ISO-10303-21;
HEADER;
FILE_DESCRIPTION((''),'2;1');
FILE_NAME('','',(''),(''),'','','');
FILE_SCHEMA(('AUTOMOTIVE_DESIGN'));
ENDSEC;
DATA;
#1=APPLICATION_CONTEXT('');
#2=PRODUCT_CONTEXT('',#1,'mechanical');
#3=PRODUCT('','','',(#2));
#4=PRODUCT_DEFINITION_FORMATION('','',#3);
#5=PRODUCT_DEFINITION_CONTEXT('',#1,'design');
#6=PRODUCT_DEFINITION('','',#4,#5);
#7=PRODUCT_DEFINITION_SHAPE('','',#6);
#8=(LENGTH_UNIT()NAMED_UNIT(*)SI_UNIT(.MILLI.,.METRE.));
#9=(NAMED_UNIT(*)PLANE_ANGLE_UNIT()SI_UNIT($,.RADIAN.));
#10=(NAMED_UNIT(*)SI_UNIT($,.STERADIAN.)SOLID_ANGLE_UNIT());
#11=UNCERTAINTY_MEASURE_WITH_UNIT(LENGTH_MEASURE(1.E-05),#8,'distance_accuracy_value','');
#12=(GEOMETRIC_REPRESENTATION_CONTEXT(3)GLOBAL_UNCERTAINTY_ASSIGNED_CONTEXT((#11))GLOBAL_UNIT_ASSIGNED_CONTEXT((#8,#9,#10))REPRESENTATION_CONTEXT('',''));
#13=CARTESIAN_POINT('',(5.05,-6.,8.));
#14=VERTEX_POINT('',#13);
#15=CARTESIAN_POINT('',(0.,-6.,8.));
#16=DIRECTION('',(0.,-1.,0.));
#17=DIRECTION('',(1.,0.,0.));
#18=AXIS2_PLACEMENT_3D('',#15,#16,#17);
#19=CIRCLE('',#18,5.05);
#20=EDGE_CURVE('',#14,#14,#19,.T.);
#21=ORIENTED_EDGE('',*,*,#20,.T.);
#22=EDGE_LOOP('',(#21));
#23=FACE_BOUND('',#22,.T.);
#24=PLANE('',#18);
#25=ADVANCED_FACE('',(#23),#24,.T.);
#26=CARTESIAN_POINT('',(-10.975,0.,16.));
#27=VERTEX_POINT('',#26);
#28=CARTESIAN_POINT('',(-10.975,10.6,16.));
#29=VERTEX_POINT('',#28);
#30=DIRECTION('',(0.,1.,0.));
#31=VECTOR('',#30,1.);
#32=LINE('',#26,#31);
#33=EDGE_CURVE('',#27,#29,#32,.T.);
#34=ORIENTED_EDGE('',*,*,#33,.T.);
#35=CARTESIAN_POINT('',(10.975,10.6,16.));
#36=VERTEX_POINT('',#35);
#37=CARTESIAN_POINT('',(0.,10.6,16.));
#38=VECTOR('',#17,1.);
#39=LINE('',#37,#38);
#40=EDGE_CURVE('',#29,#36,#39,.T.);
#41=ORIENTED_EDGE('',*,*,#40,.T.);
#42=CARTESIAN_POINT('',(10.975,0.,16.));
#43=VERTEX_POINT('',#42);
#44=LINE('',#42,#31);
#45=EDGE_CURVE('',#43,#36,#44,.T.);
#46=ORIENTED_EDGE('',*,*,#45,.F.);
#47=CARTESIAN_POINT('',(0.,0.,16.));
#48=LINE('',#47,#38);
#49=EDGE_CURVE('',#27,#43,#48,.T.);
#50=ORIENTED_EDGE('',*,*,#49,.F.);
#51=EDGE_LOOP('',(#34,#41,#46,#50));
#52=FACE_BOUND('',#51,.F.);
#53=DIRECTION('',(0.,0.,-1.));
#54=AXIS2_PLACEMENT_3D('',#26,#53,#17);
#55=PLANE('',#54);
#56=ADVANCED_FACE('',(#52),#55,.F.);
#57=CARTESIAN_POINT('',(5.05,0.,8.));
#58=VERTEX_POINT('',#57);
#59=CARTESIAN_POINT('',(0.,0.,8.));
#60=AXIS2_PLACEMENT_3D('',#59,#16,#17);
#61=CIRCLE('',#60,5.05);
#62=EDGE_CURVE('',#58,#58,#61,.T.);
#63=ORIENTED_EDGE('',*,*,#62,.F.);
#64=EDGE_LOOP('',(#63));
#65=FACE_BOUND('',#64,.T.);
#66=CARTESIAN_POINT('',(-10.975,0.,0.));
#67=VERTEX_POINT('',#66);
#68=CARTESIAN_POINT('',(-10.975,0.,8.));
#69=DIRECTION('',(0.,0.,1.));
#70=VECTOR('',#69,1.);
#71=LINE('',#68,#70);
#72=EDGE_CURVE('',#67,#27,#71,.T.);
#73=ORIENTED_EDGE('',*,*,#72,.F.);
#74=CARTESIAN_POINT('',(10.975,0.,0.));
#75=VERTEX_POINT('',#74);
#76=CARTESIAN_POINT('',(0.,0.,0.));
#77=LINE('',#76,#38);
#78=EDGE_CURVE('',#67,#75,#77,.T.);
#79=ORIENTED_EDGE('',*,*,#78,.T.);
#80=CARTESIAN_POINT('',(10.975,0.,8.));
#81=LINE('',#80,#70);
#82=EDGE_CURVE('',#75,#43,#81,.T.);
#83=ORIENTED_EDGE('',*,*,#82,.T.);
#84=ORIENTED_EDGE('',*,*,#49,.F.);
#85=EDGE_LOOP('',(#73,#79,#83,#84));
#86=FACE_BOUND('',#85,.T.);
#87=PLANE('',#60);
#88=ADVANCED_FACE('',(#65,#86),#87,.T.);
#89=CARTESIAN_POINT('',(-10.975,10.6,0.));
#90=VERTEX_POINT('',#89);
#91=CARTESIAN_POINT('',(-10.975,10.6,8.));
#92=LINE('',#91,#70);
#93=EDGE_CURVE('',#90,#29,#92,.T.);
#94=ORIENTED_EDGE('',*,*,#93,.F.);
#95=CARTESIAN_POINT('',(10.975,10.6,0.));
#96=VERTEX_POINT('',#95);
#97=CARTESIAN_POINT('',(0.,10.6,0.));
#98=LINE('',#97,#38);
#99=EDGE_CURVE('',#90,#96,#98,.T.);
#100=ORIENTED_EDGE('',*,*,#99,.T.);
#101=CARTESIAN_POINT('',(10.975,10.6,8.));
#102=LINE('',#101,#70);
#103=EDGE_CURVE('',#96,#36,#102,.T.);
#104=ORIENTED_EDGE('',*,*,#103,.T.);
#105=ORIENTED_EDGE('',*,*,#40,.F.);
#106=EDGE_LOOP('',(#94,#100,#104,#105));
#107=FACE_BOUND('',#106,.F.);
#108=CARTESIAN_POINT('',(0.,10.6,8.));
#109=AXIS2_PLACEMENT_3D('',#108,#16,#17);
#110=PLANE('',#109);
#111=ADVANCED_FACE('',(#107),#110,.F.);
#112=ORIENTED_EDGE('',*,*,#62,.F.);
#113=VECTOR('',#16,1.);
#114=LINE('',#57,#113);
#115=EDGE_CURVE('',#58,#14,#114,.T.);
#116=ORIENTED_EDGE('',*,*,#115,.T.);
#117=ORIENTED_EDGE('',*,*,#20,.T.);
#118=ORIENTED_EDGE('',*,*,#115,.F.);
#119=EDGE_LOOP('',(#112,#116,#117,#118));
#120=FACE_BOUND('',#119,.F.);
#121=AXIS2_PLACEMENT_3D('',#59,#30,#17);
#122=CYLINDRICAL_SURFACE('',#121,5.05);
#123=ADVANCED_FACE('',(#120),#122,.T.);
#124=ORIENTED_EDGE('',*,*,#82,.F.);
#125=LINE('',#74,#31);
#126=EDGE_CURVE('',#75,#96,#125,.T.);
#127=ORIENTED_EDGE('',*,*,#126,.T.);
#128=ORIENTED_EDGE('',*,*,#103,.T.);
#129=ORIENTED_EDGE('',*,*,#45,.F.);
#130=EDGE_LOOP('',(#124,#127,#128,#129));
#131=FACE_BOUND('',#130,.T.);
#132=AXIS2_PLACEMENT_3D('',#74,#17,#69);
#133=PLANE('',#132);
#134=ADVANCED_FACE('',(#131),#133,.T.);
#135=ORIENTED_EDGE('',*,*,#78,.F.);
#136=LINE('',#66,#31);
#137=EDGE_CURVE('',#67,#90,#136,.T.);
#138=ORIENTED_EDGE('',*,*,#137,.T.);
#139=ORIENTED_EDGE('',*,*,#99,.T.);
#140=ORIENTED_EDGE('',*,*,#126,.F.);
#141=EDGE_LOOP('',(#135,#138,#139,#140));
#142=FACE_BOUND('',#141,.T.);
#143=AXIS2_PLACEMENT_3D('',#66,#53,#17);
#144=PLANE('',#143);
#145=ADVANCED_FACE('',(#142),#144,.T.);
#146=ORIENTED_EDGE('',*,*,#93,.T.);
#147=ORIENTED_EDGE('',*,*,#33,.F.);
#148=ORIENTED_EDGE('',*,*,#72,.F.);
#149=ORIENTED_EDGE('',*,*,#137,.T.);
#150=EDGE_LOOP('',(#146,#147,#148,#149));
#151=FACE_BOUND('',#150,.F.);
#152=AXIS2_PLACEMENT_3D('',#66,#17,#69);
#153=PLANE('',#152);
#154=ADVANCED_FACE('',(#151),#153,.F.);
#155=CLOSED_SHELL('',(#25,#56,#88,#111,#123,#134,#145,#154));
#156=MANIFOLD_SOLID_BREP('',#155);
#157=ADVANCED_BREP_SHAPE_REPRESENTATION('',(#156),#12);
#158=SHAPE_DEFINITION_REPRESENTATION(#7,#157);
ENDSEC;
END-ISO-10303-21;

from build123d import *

# Parameters (mm, degrees)
F0_R     = 5.05
F1_DEPTH = 6
F0_W     = 21.95
F0_H     = 16
F2_DEPTH = 10.6


with BuildPart() as f1:
    # F0 (on Front) → F1 (new body)
    with BuildSketch(Plane.XZ):
        with Locations((0, 8)):
            Circle(F0_R)
    extrude(amount=F1_DEPTH)

    # F0 (on Front) → F2 (join)
    with BuildSketch(Plane.XZ):
        with Locations((0, 8)):
            Rectangle(F0_W, F0_H)
        with Locations((0, 8)):
            Circle(F0_R, mode=Mode.SUBTRACT)
        with Locations((0, 8)):
            Circle(F0_R)
    extrude(amount=-F2_DEPTH)


solid = f1.part
